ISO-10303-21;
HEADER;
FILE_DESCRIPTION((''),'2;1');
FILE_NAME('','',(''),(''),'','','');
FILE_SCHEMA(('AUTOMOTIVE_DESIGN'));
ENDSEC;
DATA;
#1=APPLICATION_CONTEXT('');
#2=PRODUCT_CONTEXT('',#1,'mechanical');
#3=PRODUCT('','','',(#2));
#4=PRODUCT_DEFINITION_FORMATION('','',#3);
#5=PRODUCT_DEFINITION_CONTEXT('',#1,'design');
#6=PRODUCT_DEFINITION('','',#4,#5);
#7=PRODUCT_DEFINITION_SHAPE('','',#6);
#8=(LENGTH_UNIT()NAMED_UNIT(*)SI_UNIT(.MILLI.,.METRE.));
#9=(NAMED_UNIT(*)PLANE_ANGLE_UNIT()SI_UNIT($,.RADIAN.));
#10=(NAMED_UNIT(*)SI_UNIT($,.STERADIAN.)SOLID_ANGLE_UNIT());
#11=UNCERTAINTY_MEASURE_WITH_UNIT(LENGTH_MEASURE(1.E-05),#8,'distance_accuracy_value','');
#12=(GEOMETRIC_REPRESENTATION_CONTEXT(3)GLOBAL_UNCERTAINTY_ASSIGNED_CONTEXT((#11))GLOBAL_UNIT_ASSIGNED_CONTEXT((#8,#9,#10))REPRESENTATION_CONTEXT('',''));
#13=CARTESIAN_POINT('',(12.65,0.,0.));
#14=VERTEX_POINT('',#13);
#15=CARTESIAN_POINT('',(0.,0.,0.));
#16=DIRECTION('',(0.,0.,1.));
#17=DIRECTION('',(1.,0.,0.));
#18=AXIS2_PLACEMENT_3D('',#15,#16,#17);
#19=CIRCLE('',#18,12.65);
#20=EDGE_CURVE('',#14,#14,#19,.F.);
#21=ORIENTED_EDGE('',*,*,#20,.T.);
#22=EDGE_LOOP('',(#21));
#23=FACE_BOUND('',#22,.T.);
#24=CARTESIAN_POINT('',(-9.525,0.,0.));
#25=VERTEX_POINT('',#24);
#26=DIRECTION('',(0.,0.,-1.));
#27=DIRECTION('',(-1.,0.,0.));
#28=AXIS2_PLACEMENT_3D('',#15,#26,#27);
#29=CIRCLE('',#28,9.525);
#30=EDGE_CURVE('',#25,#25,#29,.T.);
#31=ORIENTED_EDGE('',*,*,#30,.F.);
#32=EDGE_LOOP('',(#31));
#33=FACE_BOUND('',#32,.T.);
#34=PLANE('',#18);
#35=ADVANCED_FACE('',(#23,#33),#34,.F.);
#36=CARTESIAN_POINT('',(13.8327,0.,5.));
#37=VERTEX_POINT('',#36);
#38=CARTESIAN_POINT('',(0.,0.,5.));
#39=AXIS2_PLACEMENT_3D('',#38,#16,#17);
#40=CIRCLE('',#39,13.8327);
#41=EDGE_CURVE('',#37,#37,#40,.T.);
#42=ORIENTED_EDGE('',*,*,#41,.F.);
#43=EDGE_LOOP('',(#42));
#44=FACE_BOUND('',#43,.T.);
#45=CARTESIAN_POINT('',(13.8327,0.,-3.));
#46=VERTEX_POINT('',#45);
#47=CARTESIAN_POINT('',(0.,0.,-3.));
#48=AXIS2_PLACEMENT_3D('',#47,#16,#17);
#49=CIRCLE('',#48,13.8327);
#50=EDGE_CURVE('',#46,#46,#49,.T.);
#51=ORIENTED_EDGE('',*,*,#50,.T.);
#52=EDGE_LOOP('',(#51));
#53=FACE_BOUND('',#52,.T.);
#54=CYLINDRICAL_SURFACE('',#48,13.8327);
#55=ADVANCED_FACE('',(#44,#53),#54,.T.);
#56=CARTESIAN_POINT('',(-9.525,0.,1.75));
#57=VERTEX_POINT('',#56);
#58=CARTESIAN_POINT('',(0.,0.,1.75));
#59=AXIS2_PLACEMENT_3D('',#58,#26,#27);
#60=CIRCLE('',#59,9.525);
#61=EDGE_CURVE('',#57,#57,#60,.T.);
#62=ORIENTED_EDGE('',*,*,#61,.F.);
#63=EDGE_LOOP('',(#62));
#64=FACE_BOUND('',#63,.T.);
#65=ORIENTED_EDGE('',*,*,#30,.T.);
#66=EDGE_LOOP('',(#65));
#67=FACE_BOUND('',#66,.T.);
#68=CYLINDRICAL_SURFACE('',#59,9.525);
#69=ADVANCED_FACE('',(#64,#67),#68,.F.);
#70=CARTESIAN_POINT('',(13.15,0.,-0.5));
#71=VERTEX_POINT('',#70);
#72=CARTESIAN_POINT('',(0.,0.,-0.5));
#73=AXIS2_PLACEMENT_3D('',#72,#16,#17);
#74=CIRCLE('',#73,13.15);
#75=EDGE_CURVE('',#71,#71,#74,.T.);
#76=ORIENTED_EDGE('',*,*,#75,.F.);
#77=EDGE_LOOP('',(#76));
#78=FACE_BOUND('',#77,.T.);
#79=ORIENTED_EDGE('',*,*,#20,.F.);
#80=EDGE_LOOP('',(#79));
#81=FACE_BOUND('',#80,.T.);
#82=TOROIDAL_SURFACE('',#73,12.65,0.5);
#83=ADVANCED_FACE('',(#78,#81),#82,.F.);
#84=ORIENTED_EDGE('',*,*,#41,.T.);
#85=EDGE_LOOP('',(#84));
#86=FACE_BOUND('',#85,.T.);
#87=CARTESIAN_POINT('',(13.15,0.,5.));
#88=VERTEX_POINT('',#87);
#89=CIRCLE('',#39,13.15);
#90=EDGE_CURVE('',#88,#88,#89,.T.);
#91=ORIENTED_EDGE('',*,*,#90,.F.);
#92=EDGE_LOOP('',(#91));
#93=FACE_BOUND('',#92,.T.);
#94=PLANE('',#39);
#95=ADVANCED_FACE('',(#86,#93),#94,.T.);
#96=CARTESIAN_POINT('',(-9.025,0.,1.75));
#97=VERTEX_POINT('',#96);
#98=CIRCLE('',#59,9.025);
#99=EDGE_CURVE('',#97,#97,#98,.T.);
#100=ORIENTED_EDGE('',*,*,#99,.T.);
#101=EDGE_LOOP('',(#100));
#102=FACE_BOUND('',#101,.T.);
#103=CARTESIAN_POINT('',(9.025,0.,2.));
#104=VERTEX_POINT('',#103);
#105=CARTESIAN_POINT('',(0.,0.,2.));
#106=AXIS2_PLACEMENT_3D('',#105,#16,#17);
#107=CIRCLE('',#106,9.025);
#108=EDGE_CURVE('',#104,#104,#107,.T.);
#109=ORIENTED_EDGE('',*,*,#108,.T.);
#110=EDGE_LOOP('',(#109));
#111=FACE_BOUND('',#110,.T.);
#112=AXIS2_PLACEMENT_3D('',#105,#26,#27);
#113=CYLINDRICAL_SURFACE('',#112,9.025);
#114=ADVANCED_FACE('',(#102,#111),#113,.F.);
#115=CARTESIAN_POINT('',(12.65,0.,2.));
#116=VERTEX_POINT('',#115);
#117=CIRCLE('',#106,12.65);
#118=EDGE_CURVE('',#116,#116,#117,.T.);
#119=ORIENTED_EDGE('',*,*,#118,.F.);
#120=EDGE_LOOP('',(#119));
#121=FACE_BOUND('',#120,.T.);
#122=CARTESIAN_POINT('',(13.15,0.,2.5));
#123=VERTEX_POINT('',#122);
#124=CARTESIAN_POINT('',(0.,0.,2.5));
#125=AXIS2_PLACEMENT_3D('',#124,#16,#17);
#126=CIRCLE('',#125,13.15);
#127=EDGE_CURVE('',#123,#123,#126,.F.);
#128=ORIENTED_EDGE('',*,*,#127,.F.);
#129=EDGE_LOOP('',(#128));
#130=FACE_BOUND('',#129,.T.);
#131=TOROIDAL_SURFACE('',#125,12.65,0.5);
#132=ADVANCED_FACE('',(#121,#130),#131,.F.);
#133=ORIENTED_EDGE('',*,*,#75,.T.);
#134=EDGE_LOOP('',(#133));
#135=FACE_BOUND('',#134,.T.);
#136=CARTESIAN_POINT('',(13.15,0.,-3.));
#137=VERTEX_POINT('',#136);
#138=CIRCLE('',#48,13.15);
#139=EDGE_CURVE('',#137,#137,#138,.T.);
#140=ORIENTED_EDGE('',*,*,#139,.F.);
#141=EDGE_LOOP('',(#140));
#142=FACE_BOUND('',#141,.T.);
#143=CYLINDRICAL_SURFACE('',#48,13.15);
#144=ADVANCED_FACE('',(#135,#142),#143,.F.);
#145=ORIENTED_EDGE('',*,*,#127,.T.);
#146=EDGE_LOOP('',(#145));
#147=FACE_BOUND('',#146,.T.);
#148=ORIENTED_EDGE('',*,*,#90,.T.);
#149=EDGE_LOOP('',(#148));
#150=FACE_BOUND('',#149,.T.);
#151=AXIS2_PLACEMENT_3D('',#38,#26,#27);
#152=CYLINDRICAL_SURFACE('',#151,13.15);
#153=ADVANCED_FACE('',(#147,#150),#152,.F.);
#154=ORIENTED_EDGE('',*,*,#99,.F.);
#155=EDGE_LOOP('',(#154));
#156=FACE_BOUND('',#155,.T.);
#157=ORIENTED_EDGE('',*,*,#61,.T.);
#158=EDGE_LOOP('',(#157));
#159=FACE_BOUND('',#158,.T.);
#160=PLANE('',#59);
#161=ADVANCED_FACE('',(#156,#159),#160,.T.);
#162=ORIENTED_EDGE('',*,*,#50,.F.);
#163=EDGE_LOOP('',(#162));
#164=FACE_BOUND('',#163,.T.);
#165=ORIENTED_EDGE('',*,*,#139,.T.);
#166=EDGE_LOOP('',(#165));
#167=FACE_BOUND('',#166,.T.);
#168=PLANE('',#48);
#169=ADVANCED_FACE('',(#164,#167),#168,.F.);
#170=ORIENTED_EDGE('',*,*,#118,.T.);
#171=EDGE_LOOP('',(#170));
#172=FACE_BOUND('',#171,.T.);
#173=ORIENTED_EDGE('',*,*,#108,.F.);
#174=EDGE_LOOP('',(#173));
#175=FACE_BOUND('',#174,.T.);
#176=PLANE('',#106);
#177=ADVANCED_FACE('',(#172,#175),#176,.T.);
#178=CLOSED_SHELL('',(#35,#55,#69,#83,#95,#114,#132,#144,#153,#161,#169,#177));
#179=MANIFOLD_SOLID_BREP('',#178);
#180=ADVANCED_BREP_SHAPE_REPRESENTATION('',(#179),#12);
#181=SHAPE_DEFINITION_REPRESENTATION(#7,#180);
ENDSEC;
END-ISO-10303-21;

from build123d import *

# Parameters (mm, degrees)
SKETCH1_R           = 13.8327
SKETCH1_R_2         = 13.15
BOSS_EXTRUDE1_DEPTH = 3
BOSS_EXTRUDE2_START = 2
SKETCH2_R           = 13.8327
SKETCH2_R_2         = 9.025
BOSS_EXTRUDE2_DEPTH = 2
BOSS_EXTRUDE3_START = 3
SKETCH3_R           = 13.8327
SKETCH3_R_2         = 13.15
BOSS_EXTRUDE3_DEPTH = 3
FILLET1_R           = 0.5
SKETCH4_R           = 9.525
CUT_EXTRUDE2_DEPTH  = 1.75


with BuildPart() as part:
    # Sketch1 → Boss-Extrude1 (new body)
    with BuildSketch(Plane.XY):
        Circle(SKETCH1_R)
        Circle(SKETCH1_R_2, mode=Mode.SUBTRACT)
    extrude(amount=-BOSS_EXTRUDE1_DEPTH)

    # Sketch2 → Boss-Extrude2 (add)
    with BuildSketch(Plane.XY.offset(BOSS_EXTRUDE2_START)):
        Circle(SKETCH2_R)
        Circle(SKETCH2_R_2, mode=Mode.SUBTRACT)
    extrude(amount=-BOSS_EXTRUDE2_DEPTH)

    # Sketch3 → Boss-Extrude3 (add)
    with BuildSketch(Plane.XY.offset(2).offset(BOSS_EXTRUDE3_START)):
        Circle(SKETCH3_R)
        Circle(SKETCH3_R_2, mode=Mode.SUBTRACT)
    extrude(amount=-BOSS_EXTRUDE3_DEPTH)

    # Fillet1
    fillet1_edges = [part.edges().sort_by_distance(p)[0] for p in [
        (-13.15, 0, 0),
        (-13.15, 0, 2),
    ]]
    fillet(fillet1_edges, radius=FILLET1_R)

    # Sketch4 → Cut-Extrude2 (cut)
    with BuildSketch(Plane(origin=(0, 0, 0), x_dir=(-1, 0, 0), z_dir=(0, 0, -1))):
        Circle(SKETCH4_R)
    extrude(amount=-CUT_EXTRUDE2_DEPTH, mode=Mode.SUBTRACT)


solid = part.part
